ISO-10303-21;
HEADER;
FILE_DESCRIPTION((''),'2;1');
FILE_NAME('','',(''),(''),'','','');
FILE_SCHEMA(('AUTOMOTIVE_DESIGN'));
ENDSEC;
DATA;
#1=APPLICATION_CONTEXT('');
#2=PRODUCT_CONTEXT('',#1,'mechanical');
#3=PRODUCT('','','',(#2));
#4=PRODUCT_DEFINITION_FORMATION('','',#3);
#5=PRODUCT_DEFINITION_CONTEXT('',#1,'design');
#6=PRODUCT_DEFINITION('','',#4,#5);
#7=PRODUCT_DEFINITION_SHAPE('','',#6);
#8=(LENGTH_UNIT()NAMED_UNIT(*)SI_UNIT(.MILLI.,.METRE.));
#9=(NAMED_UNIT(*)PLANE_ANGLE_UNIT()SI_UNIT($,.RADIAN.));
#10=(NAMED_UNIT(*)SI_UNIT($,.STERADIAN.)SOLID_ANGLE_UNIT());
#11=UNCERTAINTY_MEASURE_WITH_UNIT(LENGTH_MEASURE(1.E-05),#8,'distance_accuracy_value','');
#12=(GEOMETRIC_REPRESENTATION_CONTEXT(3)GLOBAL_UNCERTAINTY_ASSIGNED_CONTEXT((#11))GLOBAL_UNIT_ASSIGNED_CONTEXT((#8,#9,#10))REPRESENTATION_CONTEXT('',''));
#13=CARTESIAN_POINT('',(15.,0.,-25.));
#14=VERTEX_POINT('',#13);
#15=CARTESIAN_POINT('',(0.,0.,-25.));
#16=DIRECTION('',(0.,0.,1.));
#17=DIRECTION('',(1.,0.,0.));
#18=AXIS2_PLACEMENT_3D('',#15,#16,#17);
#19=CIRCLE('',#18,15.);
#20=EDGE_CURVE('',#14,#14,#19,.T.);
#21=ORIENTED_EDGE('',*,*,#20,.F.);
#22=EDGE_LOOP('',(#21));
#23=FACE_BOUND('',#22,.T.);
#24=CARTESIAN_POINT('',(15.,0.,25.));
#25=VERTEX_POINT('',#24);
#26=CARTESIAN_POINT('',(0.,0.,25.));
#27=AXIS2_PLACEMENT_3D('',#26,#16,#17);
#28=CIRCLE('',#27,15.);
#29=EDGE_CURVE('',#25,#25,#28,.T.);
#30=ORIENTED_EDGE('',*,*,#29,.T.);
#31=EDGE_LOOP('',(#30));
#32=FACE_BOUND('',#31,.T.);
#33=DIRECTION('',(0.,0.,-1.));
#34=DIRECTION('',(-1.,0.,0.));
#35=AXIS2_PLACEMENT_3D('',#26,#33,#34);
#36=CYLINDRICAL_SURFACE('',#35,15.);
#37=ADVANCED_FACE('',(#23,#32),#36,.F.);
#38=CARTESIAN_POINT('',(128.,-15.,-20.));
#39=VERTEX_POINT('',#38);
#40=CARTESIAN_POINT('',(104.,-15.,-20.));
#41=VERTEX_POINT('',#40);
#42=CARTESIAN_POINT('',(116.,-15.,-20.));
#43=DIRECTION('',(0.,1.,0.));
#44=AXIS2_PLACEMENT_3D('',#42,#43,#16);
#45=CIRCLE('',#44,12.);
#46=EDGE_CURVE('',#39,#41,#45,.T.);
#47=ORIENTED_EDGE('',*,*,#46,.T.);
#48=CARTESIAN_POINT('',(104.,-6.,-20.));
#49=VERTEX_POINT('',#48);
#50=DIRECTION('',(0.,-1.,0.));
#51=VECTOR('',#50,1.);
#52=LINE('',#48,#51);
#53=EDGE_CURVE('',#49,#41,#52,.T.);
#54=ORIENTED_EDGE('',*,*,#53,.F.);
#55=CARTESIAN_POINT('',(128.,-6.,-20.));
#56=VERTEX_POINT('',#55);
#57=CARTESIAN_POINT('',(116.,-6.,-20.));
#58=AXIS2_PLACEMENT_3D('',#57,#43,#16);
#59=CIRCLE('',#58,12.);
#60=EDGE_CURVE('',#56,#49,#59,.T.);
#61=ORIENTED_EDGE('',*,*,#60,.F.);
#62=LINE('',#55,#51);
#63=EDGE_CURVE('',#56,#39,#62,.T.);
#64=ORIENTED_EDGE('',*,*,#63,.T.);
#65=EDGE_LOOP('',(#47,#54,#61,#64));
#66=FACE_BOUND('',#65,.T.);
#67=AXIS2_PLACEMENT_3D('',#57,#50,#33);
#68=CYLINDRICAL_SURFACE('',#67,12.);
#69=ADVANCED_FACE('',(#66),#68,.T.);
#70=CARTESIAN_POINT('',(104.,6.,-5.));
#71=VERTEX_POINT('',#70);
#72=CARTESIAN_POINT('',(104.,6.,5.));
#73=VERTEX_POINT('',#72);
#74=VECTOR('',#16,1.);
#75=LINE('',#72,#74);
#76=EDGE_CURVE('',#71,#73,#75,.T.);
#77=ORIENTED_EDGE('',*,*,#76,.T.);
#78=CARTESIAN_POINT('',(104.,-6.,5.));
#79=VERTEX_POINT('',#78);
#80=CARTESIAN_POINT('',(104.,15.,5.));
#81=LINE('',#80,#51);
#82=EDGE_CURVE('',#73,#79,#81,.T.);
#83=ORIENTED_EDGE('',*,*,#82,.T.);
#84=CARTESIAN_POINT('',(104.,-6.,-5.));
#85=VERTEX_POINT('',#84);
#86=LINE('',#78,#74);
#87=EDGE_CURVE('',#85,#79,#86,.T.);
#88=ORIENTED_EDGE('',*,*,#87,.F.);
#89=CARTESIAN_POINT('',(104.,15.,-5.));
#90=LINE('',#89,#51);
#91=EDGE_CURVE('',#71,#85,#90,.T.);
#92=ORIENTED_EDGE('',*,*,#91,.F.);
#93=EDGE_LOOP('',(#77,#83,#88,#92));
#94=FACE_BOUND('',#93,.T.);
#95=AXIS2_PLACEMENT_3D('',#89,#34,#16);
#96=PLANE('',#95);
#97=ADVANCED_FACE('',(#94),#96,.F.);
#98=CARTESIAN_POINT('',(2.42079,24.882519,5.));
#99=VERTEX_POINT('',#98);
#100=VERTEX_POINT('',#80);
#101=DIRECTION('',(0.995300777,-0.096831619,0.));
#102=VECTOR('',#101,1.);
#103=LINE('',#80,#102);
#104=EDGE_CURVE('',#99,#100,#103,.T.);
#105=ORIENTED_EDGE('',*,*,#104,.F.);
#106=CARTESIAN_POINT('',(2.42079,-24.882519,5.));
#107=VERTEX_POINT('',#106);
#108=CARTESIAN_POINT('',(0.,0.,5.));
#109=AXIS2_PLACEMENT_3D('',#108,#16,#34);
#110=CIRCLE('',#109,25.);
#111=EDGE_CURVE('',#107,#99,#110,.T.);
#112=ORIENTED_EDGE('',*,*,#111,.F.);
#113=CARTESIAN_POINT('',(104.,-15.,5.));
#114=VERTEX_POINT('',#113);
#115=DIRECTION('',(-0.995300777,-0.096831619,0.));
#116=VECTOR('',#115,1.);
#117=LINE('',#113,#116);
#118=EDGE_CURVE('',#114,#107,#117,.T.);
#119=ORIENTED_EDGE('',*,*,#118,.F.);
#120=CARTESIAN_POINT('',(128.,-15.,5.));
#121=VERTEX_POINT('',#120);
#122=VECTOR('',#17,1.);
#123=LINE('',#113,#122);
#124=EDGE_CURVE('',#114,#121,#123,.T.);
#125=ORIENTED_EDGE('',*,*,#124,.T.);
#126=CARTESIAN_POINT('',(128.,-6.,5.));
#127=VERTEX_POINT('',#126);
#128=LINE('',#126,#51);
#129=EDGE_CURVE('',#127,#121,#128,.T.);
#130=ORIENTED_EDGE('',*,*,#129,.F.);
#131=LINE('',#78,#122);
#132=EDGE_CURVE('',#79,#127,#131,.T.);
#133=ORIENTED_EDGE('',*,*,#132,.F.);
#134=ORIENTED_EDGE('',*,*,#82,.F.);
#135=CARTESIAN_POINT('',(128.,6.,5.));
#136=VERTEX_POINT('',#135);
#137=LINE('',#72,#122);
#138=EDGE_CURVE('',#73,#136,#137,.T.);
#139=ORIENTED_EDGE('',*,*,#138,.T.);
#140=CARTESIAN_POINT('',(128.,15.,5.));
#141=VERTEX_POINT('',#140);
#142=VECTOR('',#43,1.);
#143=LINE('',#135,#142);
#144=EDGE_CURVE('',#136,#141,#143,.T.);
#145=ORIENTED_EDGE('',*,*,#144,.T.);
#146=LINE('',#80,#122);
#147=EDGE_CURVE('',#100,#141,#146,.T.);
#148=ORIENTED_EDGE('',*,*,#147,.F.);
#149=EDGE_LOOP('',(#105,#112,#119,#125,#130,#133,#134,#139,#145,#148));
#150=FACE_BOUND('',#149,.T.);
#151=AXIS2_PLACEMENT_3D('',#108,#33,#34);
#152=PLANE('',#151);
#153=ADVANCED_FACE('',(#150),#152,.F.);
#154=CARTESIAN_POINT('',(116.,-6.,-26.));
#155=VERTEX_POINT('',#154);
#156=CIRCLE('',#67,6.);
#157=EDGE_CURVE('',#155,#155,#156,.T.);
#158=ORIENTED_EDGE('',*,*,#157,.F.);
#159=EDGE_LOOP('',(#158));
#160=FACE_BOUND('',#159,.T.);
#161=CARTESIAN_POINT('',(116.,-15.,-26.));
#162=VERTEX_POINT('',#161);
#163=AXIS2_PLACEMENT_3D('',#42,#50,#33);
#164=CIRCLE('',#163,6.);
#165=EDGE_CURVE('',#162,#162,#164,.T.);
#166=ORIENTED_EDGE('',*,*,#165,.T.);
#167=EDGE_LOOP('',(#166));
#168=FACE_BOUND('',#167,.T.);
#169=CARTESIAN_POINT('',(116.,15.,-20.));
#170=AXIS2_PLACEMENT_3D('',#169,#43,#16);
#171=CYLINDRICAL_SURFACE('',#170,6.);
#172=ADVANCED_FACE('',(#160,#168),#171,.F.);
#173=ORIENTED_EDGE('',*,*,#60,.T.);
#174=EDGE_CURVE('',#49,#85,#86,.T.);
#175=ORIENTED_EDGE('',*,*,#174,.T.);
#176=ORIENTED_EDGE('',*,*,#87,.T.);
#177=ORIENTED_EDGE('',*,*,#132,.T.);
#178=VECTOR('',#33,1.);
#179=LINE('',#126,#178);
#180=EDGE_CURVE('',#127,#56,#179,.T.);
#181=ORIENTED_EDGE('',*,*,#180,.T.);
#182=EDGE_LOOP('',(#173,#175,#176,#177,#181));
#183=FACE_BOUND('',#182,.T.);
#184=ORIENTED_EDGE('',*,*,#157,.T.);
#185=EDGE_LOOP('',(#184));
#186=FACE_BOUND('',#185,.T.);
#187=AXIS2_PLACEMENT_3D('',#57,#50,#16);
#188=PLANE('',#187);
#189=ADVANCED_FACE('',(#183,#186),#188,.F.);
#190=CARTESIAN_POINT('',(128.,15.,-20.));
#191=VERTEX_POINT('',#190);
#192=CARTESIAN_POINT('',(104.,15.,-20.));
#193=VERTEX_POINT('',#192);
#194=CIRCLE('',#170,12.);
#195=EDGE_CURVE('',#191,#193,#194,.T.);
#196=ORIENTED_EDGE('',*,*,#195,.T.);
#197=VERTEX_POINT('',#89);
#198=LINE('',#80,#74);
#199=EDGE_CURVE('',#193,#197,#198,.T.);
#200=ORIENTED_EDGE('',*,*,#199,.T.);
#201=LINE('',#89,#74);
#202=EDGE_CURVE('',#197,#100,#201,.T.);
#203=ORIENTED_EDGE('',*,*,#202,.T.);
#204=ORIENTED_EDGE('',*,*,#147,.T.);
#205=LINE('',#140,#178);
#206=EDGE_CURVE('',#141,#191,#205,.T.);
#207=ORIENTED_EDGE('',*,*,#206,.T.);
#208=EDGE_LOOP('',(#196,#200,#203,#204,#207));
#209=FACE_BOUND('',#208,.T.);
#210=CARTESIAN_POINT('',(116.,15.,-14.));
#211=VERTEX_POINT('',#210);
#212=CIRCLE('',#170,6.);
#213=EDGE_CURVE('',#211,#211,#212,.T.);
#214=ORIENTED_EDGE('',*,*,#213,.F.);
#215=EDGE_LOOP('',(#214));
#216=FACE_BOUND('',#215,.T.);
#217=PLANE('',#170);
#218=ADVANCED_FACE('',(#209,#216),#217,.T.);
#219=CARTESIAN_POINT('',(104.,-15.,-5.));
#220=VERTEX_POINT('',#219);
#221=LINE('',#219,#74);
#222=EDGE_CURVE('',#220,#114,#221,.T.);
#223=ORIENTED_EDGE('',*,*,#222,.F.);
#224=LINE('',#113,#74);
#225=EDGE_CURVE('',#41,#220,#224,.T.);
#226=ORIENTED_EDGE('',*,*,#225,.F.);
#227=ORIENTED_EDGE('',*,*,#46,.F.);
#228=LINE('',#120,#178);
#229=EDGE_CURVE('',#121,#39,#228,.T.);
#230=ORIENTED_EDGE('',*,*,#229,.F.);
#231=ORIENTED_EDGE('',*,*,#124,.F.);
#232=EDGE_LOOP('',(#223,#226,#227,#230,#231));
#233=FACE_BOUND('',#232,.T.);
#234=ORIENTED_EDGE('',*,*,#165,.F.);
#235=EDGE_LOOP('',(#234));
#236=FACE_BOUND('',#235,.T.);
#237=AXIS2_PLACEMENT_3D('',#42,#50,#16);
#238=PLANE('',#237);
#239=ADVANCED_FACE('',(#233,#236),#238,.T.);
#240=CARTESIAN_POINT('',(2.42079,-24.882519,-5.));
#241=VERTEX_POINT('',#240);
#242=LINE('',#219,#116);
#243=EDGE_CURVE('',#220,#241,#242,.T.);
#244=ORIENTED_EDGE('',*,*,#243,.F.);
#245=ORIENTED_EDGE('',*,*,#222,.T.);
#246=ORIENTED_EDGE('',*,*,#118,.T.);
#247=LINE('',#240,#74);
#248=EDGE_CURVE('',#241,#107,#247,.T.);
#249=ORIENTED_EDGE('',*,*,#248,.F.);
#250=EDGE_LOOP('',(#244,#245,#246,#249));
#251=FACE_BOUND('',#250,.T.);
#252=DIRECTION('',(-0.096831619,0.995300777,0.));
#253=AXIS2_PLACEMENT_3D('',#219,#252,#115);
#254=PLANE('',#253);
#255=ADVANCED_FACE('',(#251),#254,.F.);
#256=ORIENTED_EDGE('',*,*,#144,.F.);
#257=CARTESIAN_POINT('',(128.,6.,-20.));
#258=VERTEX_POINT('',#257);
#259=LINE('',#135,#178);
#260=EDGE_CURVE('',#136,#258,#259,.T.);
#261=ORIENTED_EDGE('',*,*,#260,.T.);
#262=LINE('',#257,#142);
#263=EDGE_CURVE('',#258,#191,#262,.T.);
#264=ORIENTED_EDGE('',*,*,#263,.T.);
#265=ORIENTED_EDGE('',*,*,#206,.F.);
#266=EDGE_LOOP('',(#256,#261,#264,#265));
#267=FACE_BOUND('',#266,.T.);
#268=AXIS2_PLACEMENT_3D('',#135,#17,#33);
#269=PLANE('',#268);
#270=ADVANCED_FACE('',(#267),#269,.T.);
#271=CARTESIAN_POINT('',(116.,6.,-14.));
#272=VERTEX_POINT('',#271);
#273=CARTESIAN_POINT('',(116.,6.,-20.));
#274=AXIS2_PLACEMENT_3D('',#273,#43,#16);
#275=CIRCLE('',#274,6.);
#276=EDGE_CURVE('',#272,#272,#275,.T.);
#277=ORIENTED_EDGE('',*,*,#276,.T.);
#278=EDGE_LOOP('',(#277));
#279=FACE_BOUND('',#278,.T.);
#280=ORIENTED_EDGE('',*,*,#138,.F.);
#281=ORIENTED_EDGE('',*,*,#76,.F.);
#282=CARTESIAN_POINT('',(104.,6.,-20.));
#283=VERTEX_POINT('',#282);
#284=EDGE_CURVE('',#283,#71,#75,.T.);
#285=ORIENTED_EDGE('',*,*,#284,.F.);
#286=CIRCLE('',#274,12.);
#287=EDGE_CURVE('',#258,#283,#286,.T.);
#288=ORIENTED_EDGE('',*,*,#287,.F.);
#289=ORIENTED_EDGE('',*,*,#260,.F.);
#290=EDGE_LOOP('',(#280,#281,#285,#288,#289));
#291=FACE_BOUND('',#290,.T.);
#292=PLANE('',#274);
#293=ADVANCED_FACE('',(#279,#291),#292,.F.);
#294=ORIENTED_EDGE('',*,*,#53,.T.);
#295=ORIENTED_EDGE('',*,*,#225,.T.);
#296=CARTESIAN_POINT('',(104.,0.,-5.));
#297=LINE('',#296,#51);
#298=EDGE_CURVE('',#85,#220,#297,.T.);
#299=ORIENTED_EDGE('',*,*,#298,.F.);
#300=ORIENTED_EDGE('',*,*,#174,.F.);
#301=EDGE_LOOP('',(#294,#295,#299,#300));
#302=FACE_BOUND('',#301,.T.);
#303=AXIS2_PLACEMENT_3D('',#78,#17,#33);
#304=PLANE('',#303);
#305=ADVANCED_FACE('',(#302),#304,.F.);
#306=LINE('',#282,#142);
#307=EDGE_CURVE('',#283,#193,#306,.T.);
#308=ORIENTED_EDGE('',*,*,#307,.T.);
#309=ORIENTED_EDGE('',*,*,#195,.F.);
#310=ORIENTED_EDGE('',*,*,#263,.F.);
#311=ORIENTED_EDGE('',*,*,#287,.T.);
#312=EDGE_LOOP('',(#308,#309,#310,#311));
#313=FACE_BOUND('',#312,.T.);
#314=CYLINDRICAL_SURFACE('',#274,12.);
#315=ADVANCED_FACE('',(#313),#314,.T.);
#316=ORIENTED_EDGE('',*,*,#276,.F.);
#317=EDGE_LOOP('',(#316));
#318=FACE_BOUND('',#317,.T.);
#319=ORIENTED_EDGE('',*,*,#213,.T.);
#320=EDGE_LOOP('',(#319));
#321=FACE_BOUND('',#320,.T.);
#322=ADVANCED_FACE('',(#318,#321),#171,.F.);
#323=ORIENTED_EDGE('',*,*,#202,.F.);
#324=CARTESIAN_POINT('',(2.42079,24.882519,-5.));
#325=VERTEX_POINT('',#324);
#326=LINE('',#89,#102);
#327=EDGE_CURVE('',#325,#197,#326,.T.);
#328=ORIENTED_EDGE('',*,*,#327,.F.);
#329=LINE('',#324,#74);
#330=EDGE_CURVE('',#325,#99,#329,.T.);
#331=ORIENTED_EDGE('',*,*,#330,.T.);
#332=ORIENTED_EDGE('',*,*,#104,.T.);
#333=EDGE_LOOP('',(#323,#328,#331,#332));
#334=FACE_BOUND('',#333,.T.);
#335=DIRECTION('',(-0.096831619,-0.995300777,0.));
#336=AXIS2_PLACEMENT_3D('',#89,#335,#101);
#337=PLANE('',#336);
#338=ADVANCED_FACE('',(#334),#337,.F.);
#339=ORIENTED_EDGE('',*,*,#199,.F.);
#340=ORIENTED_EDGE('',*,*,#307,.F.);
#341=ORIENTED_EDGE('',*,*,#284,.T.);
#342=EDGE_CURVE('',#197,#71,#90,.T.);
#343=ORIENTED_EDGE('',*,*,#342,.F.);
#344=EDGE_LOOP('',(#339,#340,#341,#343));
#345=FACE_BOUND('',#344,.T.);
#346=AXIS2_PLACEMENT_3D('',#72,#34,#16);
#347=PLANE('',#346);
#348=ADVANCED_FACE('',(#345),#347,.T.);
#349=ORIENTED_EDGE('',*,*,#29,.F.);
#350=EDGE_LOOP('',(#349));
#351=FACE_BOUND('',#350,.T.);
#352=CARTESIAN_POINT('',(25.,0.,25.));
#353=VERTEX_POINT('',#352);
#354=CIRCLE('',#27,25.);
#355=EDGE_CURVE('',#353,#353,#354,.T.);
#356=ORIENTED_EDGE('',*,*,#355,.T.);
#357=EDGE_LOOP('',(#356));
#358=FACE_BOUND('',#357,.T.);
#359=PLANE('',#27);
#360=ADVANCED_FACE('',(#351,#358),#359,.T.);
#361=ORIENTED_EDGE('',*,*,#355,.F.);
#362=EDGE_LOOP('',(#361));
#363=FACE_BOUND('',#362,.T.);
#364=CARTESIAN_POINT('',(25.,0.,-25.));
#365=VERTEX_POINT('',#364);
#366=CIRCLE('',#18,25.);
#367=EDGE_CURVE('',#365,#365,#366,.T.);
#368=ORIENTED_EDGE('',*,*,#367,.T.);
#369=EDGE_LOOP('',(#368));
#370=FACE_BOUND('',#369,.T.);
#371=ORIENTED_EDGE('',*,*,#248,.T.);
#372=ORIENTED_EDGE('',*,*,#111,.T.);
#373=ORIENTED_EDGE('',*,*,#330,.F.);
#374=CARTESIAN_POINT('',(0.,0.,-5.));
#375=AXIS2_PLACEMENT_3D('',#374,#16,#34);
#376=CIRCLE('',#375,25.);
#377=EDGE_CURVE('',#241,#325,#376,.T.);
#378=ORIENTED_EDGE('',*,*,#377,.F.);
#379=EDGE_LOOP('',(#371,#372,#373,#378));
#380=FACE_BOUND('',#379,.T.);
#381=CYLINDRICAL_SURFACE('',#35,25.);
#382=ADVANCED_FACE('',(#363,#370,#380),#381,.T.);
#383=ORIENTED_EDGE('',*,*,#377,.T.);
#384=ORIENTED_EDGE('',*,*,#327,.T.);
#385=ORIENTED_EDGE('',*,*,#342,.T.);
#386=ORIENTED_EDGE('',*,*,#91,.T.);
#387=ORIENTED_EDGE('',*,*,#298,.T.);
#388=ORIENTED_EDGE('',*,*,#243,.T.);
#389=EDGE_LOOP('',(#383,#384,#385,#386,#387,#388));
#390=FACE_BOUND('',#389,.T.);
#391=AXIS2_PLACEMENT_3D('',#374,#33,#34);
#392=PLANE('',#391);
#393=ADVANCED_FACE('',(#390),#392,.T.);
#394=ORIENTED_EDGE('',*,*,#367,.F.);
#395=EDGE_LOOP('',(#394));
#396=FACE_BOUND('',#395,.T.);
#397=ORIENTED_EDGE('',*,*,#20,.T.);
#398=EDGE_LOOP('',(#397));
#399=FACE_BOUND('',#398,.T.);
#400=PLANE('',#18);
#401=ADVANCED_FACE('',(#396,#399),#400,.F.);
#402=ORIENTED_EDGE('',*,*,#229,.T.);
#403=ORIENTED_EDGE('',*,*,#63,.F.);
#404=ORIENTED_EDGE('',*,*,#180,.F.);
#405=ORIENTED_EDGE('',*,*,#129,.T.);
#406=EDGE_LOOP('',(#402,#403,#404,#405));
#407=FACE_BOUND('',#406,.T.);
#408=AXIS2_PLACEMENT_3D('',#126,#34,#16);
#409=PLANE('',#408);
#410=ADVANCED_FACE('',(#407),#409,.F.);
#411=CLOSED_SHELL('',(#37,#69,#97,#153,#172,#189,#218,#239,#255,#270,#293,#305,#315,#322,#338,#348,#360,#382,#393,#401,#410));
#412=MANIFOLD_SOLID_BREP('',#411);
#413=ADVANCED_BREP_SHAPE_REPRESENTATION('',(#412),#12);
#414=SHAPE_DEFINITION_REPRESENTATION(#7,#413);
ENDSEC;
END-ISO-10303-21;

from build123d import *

# Parameters (mm, degrees)
SKETCH1_R           = 25
SKETCH1_R_2         = 15
BOSS_EXTRUDE1_DEPTH = 25
BOSS_EXTRUDE2_START = -30
BOSS_EXTRUDE2_DEPTH = 10
BOSS_EXTRUDE3_START = 15
BOSS_EXTRUDE3_DEPTH = 9
HOLE1_D             = 12


with BuildPart() as part:
    # Sketch1 → Boss-Extrude1 (new, symmetric)
    with BuildSketch(Plane.XY):
        Circle(SKETCH1_R)
        Circle(SKETCH1_R_2, mode=Mode.SUBTRACT)
    extrude(amount=BOSS_EXTRUDE1_DEPTH, both=True)

    # Sketch3 → Boss-Extrude2 (add)
    with BuildSketch(Plane(origin=(0, 0, -25), x_dir=(-1, 0, 0), z_dir=(0, 0, -1)).offset(BOSS_EXTRUDE2_START)):
        with BuildLine():
            Line((-104, 15), (-104, -15))
            Line((-104, -15), (-2.420790466, -24.882519437))
            ThreePointArc((-2.420790466, -24.882519437), (-25, 0), (-2.420790466, 24.882519437))
            Line((-2.420790466, 24.882519437), (-104, 15))
        make_face()
    extrude(amount=BOSS_EXTRUDE2_DEPTH)

    # Sketch6 → Boss-Extrude3 (add)
    with BuildSketch(Plane(origin=(0, 0, 0), x_dir=(1, 0, 0), z_dir=(0, 1, 0)).offset(BOSS_EXTRUDE3_START)):
        with BuildLine():
            Line((104, -5), (104, 20))
            ThreePointArc((104, 20), (116, 32), (128, 20))
            Line((128, 20), (128, -5))
            Line((128, -5), (104, -5))
        make_face()
    boss_extrude3 = extrude(amount=-BOSS_EXTRUDE3_DEPTH)

    # Mirror1: Boss-Extrude3 across plane
    add(boss_extrude3.mirror(Plane.ZX))

    # Hole1 (through all)
    with Locations(Plane(origin=(0, 15, 0), x_dir=(1, 0, 0), z_dir=(0, 1, 0))):
        with Locations((116, 20)):
            Hole(HOLE1_D / 2)


solid = part.part
